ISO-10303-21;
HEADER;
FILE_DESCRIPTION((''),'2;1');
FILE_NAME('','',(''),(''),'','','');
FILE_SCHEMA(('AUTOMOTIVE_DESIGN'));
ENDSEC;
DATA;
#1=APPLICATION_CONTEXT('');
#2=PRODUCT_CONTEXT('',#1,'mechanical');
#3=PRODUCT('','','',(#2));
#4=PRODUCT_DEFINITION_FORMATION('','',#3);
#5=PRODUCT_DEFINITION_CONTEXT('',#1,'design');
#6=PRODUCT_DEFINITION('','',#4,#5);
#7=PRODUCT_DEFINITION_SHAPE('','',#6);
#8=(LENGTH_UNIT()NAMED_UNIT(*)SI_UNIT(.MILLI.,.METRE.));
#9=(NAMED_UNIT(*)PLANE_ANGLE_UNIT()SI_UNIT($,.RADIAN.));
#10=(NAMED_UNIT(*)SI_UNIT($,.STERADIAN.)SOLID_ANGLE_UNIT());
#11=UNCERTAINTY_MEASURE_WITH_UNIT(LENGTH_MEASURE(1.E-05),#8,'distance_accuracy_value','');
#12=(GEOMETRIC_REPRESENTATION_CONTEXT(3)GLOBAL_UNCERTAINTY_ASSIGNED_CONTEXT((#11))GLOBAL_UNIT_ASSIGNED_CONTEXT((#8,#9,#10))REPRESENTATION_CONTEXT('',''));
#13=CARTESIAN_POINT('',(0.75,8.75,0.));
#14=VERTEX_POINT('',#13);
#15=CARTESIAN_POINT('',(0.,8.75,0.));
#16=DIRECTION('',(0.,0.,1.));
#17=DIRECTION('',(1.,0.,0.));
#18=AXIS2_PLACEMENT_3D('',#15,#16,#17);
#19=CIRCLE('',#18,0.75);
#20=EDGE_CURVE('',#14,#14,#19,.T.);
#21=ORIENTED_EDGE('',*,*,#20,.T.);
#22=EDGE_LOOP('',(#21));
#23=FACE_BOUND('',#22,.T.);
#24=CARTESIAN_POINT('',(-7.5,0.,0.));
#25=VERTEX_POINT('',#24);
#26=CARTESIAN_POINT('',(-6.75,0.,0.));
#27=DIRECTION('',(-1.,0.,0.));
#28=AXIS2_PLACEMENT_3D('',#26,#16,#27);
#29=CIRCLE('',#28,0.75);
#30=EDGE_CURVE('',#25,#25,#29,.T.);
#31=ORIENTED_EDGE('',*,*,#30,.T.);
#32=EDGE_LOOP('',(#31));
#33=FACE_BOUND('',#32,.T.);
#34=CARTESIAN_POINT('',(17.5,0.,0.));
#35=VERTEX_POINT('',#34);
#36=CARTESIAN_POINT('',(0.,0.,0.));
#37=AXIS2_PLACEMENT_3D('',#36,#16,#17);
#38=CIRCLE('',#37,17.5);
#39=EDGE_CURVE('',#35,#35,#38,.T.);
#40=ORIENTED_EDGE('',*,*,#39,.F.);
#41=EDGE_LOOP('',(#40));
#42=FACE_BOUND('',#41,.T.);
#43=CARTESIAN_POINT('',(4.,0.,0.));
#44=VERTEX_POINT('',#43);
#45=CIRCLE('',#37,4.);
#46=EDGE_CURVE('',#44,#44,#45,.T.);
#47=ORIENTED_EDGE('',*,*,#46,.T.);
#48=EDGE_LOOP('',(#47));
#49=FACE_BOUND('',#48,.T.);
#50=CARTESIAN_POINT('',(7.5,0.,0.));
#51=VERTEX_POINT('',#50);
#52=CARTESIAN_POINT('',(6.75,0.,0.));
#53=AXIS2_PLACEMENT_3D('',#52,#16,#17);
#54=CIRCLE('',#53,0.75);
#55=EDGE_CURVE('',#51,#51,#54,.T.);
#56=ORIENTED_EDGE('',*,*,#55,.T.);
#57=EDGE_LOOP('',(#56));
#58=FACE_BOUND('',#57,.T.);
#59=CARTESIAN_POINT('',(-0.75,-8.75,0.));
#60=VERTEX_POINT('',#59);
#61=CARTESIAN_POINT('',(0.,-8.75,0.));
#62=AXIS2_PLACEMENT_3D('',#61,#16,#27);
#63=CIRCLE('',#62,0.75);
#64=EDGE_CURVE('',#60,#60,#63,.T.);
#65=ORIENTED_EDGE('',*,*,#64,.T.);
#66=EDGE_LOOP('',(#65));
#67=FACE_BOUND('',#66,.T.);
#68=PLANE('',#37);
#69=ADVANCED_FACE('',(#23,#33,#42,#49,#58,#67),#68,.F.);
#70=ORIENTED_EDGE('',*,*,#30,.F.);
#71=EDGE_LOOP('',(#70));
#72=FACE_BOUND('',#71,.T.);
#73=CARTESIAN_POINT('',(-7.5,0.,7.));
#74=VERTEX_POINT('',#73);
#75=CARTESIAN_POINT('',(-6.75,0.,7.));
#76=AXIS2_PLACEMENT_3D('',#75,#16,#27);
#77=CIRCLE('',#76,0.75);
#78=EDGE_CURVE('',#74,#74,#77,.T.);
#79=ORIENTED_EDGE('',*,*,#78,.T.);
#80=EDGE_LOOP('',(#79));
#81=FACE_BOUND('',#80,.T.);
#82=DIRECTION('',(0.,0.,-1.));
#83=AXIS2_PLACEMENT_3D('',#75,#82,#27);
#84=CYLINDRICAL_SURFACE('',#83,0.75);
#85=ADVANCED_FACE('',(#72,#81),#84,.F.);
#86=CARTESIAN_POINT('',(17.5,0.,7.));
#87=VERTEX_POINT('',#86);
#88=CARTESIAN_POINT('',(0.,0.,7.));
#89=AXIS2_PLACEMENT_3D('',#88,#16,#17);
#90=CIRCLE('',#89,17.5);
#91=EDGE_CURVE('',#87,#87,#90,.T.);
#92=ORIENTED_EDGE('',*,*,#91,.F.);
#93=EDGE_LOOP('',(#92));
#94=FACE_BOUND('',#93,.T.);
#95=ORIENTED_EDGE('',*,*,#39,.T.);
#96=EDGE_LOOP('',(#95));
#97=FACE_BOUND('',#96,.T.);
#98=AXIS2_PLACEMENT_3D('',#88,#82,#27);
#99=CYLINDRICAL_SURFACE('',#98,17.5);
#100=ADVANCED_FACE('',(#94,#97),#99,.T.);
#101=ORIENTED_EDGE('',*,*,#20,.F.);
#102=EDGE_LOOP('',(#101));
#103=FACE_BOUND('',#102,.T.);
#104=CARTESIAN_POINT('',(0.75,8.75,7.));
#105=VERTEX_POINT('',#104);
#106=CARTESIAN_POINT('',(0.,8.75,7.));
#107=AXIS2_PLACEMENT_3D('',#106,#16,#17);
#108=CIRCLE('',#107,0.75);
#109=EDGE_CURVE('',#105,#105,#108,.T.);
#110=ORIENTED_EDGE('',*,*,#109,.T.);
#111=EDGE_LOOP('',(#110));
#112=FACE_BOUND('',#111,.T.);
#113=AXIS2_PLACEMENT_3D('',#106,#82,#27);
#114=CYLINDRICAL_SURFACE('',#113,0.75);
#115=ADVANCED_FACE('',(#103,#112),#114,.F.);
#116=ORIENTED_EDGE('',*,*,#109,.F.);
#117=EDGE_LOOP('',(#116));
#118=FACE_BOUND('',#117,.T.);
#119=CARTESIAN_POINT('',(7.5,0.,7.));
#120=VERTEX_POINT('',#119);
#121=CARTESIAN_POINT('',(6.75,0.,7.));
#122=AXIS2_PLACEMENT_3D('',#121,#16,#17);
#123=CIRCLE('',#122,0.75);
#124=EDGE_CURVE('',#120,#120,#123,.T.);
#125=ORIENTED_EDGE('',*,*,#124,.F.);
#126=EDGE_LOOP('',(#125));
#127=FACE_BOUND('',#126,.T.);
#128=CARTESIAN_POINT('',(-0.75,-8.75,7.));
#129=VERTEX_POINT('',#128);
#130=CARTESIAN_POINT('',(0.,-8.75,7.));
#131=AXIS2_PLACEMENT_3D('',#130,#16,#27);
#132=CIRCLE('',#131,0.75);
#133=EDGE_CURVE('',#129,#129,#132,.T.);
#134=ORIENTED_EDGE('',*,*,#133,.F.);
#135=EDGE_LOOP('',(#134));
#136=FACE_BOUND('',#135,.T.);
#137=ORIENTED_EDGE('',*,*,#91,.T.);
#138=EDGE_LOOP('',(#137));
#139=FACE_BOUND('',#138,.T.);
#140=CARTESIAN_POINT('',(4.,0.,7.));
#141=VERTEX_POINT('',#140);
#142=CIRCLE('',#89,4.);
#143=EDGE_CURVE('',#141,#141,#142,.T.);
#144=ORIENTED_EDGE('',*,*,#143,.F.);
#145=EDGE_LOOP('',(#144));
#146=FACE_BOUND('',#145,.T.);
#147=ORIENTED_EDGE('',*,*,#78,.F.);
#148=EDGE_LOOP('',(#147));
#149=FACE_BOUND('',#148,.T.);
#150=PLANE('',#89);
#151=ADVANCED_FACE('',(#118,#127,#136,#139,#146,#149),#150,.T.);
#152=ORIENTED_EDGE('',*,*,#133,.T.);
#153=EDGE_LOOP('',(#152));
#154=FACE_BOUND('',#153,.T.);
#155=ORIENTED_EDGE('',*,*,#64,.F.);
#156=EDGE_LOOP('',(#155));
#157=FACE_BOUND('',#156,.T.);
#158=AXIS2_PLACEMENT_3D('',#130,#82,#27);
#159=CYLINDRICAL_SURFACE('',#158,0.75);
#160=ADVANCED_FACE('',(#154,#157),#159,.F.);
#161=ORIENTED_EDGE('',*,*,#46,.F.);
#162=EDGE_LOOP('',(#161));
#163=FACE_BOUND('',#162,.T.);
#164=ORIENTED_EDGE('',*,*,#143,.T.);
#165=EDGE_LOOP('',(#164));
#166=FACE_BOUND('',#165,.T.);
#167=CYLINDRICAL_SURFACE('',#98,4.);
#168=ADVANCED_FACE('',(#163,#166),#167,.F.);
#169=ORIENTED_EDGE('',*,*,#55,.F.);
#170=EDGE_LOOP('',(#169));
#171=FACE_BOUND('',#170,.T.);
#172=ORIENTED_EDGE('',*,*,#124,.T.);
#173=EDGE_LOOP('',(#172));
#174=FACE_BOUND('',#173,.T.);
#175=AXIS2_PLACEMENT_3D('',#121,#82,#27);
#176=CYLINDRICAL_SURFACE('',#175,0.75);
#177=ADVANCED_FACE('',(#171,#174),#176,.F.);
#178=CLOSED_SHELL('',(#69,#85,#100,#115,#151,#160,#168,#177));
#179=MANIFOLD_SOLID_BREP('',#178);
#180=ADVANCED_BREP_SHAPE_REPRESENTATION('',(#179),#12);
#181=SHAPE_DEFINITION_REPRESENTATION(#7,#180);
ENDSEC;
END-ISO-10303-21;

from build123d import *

# Parameters (mm, degrees)
SKETCH_1_R      = 17.5
SKETCH_1_R_2    = 4
SKETCH_1_R_3    = 0.75
EXTRUDE_1_DEPTH = 7


with BuildPart() as part:
    # 草图1 → 凸台-拉伸1 (new body)
    with BuildSketch(Plane.XY):
        Circle(SKETCH_1_R)
        Circle(SKETCH_1_R_2, mode=Mode.SUBTRACT)
        with Locations((6.75, 0)):
            Circle(SKETCH_1_R_3, mode=Mode.SUBTRACT)
        with Locations((0, 8.75)):
            Circle(SKETCH_1_R_3, mode=Mode.SUBTRACT)
        with Locations(Location((-6.75, 0, 0), (0, 0, 180))):
            Circle(SKETCH_1_R_3, mode=Mode.SUBTRACT)
        with Locations(Location((0, -8.75, 0), (0, 0, 180))):
            Circle(SKETCH_1_R_3, mode=Mode.SUBTRACT)
    extrude(amount=EXTRUDE_1_DEPTH)


solid = part.part
